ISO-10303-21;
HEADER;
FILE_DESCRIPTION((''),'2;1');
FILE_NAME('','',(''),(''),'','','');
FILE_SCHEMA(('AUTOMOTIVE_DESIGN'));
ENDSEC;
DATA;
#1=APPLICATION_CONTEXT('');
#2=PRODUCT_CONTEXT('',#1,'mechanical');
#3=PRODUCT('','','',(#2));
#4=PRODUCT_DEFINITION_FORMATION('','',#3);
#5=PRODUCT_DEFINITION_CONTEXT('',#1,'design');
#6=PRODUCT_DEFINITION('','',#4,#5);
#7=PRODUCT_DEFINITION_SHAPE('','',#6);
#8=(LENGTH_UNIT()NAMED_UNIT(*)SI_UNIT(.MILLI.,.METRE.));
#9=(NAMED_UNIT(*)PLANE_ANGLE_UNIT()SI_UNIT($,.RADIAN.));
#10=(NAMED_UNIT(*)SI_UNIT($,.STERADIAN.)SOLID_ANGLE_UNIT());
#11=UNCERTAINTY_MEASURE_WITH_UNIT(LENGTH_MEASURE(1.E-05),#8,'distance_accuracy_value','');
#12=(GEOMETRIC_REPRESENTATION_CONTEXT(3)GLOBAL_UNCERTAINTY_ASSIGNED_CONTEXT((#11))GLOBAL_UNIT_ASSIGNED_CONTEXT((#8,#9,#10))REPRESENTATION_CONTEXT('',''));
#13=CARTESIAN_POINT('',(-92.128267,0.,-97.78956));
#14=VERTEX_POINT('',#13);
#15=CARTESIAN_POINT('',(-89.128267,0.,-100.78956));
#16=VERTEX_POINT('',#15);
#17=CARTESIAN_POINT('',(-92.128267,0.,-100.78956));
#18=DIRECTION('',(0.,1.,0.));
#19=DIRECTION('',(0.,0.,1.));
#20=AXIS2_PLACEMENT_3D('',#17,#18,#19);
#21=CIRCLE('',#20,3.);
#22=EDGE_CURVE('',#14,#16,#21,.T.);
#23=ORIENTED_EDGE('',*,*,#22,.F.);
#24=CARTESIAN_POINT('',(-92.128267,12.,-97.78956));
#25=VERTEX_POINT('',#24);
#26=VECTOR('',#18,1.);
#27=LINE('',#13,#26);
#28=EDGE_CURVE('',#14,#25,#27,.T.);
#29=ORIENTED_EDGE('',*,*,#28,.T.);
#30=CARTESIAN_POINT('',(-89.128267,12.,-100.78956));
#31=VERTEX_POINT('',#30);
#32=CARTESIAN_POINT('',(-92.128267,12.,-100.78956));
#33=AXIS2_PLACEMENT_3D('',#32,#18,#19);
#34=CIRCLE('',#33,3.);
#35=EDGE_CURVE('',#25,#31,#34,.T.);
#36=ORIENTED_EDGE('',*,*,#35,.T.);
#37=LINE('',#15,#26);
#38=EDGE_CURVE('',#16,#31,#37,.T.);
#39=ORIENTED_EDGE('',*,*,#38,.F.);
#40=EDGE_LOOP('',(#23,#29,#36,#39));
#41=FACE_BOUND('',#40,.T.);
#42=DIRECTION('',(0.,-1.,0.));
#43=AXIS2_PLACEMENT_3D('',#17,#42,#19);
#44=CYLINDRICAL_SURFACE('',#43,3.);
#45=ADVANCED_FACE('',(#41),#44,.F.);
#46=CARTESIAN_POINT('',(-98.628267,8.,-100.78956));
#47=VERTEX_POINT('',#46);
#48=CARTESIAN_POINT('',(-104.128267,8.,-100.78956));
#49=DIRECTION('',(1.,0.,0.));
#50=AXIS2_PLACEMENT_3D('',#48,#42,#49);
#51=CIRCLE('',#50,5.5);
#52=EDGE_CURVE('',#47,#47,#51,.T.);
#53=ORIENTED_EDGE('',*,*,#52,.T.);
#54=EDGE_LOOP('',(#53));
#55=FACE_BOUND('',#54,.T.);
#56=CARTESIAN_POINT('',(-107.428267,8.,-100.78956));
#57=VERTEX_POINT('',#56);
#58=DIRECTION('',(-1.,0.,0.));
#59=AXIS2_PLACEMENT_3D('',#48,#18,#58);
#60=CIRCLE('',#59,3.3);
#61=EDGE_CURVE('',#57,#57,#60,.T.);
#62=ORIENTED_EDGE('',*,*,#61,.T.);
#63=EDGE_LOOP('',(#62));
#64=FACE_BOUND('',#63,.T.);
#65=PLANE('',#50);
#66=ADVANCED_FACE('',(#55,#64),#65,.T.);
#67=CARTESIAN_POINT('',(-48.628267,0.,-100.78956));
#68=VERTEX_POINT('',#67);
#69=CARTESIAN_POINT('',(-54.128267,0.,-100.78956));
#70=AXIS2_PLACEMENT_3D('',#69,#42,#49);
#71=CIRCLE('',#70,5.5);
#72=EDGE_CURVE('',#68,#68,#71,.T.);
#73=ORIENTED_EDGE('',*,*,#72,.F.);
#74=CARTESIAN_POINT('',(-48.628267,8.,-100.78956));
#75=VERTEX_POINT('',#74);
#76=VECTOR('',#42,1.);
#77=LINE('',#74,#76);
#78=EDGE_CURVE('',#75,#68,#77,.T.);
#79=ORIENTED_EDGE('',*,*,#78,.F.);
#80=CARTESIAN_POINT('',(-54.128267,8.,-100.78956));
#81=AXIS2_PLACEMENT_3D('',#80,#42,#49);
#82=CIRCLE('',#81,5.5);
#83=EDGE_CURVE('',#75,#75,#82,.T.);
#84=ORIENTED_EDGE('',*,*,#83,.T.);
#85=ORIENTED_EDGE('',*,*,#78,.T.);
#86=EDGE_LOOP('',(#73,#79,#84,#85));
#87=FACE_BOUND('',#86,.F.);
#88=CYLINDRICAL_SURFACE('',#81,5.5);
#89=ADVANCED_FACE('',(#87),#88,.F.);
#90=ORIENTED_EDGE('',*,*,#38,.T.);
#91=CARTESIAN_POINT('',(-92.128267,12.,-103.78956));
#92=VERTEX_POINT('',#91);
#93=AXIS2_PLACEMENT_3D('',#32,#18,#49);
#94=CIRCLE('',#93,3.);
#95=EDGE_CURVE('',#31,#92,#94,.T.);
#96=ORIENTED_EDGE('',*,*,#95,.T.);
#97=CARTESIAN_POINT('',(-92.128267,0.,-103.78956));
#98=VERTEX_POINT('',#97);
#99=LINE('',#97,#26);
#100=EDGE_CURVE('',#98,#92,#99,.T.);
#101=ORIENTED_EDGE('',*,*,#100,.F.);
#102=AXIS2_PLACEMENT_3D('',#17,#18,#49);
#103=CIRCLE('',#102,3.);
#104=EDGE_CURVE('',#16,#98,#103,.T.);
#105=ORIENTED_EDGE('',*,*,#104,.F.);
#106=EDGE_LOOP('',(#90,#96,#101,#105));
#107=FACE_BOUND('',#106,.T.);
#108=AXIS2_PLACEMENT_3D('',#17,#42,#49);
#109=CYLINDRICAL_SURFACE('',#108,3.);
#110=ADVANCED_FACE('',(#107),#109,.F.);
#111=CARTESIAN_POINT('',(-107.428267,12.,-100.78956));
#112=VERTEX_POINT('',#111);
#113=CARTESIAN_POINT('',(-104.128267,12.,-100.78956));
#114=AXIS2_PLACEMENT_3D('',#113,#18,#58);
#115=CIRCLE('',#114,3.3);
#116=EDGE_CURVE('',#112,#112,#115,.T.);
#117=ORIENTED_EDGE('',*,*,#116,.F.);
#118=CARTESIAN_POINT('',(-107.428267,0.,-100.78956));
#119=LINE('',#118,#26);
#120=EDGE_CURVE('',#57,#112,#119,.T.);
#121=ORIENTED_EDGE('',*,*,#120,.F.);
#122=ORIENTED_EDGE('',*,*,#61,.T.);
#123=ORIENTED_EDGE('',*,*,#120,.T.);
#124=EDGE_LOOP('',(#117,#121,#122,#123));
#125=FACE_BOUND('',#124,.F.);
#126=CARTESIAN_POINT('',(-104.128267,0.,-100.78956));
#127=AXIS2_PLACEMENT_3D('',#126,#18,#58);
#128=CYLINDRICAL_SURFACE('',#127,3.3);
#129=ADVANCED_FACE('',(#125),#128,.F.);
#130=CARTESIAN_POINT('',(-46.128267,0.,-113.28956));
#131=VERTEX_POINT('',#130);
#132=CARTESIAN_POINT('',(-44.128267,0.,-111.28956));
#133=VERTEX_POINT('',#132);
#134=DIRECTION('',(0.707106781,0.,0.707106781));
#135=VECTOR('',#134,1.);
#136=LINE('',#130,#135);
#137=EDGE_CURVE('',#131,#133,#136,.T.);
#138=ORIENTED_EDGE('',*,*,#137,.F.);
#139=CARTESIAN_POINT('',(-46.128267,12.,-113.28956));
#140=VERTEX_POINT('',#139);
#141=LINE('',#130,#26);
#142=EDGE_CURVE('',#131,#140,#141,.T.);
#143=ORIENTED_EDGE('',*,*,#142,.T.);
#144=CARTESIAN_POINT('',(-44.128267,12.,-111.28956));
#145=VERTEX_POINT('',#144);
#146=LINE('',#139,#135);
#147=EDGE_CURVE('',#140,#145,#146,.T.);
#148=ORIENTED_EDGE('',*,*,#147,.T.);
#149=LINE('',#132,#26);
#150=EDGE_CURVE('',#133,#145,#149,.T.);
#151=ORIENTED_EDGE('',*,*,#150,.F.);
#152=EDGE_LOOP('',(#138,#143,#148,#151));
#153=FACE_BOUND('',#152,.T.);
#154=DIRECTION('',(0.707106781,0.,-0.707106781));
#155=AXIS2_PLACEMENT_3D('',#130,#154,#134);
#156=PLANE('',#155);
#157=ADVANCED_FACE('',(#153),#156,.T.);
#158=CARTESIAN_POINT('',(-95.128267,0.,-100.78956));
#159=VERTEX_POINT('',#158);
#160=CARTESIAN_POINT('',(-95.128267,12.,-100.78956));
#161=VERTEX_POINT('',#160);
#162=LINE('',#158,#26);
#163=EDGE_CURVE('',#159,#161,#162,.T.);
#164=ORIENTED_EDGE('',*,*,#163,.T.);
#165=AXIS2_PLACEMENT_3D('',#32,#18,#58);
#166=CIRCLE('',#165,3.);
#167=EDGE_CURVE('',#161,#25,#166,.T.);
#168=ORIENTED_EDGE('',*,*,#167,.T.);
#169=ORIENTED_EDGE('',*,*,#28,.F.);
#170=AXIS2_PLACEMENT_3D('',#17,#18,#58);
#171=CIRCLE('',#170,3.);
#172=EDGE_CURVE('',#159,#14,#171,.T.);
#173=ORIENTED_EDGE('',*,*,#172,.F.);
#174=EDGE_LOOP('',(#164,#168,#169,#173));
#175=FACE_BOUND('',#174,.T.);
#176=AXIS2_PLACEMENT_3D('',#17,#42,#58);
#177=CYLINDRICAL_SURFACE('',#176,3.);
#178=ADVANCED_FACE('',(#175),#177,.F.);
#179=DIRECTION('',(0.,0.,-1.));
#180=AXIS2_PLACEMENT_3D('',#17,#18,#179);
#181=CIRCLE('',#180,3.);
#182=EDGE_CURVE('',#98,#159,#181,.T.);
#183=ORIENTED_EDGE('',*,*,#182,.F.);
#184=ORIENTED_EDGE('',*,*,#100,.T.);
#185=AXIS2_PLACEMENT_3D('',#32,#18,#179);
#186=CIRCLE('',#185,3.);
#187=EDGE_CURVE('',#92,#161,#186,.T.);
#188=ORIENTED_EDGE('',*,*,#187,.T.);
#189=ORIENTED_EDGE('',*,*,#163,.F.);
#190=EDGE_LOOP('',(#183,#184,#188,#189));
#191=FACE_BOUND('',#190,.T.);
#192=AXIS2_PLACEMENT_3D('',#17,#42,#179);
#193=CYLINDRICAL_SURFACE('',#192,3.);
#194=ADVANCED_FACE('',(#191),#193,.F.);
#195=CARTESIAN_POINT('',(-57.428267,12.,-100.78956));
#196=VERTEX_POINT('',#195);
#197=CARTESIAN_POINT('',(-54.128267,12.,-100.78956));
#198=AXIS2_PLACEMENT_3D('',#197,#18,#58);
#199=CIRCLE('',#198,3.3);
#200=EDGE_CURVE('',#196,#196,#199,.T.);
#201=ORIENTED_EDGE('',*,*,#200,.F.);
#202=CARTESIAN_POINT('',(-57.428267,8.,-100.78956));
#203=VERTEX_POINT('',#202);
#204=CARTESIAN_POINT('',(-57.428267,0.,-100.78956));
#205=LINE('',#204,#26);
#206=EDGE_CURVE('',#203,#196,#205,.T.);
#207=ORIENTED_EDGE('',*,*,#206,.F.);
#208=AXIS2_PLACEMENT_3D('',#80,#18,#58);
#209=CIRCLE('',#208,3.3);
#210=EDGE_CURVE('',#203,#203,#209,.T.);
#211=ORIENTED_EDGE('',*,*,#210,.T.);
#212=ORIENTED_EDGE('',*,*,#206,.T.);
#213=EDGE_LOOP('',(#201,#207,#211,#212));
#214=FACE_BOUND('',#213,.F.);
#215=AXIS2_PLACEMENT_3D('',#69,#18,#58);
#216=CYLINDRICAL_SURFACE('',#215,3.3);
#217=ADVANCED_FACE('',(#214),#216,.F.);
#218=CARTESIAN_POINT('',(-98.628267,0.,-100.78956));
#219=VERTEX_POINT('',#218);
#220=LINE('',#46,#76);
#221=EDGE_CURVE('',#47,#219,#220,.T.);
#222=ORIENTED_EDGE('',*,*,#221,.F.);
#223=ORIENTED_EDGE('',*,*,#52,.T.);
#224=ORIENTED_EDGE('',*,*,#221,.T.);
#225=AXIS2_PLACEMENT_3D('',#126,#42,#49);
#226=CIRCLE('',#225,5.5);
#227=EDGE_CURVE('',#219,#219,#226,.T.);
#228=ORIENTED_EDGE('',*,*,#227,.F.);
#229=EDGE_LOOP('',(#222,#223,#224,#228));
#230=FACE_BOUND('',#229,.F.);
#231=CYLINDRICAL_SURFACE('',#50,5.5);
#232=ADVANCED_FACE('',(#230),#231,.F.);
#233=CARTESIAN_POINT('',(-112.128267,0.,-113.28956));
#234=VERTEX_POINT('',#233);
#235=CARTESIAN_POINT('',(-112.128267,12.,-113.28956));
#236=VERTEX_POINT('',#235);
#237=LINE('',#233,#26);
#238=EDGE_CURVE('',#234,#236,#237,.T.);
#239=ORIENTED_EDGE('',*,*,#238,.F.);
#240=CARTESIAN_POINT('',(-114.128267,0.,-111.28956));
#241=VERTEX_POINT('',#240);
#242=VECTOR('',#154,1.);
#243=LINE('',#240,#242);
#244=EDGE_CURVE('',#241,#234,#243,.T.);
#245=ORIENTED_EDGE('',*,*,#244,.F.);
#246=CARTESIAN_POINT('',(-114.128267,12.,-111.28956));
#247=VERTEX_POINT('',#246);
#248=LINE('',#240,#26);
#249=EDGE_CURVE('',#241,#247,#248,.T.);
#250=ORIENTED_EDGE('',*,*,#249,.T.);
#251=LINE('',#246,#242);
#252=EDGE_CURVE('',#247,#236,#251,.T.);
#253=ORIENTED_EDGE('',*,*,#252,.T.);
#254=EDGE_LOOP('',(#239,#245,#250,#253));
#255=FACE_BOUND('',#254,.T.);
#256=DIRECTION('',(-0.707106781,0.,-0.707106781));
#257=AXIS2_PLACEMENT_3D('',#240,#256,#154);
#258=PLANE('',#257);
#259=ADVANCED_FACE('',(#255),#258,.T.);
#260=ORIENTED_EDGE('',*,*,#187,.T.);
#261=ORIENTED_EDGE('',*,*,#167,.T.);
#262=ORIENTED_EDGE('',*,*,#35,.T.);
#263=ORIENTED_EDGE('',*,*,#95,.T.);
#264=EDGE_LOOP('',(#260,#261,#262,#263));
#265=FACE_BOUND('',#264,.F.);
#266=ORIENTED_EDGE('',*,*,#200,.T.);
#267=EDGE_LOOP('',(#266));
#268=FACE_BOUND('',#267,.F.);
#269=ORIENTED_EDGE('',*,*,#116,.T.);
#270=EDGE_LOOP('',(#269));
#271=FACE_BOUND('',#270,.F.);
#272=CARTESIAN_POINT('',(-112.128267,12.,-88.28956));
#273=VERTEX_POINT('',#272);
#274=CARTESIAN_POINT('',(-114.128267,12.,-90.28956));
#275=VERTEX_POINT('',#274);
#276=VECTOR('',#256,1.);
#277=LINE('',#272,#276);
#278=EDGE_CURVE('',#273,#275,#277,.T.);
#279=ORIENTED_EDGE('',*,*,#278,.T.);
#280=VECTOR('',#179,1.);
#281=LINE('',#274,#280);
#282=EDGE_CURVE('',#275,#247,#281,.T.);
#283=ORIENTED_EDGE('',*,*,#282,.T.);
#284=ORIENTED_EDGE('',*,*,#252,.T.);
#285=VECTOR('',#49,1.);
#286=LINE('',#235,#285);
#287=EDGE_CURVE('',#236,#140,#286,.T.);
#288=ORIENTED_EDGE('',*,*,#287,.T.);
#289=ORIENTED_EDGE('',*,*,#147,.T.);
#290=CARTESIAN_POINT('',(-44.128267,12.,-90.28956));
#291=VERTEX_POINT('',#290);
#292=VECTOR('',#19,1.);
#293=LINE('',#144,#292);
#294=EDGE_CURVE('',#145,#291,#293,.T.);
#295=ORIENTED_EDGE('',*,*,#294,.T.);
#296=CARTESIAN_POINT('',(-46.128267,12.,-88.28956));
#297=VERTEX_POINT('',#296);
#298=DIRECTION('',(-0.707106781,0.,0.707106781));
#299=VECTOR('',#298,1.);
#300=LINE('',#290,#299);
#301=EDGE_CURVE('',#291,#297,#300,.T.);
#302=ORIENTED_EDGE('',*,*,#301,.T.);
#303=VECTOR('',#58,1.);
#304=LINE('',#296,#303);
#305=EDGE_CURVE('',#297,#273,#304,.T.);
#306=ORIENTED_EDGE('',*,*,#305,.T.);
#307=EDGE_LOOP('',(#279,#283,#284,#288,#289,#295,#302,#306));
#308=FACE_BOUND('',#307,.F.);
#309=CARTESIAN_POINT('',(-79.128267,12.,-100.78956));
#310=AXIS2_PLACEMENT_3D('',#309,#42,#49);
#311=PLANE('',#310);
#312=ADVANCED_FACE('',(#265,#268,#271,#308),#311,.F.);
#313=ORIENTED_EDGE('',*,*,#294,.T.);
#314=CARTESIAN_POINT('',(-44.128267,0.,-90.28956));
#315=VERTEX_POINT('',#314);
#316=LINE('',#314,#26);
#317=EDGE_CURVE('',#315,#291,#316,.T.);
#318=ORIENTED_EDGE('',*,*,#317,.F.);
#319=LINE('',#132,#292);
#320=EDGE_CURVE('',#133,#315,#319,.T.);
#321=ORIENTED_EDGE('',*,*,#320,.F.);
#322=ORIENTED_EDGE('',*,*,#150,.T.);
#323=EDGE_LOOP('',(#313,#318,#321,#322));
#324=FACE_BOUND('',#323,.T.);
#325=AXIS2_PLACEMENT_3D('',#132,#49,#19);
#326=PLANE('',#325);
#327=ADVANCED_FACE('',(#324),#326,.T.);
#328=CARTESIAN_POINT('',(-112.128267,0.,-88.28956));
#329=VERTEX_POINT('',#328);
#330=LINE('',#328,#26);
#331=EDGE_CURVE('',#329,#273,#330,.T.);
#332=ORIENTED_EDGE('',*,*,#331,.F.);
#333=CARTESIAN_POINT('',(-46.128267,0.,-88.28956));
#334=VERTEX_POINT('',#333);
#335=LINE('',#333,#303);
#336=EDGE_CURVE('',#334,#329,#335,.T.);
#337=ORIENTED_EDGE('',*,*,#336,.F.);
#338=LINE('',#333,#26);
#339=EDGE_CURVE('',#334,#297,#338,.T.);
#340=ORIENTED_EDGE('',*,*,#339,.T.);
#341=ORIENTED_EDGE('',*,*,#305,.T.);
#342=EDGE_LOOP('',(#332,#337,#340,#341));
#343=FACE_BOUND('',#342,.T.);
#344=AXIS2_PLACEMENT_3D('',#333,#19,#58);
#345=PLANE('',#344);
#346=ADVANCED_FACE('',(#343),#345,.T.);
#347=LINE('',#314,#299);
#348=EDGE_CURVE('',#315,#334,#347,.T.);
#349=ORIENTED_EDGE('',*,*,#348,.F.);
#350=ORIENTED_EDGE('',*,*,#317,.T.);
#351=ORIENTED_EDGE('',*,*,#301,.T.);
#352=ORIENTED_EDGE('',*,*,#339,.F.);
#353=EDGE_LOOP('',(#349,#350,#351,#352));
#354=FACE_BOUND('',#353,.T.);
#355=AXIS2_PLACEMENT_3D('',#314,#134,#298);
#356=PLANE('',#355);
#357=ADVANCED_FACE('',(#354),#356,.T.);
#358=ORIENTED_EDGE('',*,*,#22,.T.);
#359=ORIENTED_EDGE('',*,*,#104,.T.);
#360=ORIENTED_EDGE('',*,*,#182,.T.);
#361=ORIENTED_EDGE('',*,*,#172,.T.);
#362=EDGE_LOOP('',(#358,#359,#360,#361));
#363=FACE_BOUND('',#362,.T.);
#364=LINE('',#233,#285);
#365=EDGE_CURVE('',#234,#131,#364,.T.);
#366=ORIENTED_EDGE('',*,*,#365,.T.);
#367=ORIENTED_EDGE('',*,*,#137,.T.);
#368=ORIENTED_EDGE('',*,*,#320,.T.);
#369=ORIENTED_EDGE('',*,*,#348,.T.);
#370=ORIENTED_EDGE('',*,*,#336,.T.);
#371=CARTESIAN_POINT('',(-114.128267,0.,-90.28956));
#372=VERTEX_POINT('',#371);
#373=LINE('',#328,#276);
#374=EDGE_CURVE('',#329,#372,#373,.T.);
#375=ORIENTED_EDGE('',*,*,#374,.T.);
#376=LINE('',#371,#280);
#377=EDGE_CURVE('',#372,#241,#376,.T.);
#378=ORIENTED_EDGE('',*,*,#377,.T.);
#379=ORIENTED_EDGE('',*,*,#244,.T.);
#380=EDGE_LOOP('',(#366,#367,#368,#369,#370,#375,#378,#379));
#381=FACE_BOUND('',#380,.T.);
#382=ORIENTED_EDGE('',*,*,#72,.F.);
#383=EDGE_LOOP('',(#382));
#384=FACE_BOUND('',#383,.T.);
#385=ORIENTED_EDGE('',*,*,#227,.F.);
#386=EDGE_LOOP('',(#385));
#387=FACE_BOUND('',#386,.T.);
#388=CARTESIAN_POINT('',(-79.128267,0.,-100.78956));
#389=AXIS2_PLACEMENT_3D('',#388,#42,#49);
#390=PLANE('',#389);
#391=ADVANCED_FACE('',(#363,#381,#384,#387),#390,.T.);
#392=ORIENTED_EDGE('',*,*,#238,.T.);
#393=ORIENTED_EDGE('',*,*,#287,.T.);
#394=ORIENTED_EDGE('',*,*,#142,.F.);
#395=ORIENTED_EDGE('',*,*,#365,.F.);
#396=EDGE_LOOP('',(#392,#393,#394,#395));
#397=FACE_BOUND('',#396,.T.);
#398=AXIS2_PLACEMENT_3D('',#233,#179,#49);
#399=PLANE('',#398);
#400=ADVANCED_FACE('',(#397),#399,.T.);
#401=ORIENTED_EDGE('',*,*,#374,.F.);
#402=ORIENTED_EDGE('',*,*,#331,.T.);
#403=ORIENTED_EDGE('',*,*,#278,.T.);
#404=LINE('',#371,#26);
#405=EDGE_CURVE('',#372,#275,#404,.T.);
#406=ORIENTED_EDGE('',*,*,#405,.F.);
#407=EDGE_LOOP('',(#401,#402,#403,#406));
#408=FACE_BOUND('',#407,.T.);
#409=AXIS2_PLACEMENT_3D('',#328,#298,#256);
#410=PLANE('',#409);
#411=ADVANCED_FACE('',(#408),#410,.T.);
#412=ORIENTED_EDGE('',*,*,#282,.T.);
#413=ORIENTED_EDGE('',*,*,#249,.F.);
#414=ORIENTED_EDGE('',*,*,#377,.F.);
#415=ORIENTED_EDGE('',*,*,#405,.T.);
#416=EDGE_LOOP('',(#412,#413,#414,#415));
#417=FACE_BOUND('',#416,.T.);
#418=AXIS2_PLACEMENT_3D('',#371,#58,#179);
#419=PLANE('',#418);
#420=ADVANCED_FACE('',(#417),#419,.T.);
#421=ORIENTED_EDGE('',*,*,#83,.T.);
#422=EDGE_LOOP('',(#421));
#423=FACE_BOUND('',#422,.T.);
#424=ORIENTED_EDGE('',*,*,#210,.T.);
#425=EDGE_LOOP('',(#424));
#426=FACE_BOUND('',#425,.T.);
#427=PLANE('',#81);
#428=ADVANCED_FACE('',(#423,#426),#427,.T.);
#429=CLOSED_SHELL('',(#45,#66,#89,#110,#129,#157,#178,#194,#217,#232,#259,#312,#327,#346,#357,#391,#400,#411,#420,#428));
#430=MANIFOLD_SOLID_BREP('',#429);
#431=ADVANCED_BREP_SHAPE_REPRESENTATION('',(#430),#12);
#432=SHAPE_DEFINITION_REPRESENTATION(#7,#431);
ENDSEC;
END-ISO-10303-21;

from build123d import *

# Parameters (mm, degrees)
F1_DEPTH       = 12
F2_D           = 6.6
F2_CBORE_D     = 11
F2_CBORE_DEPTH = 8


with BuildPart() as f1:
    # F0 (on Front) → F1 (new body)
    with BuildSketch(Plane.XZ):
        Polygon((-112.128267, -88.28956), (-114.128267, -90.28956), (-114.128267, -111.28956), (-112.128267, -113.28956), (-46.128267, -113.28956), (-44.128267, -111.28956), (-44.128267, -90.28956), (-46.128267, -88.28956), align=None)
        with BuildLine():
            ThreePointArc((-104.128267, -95.28956), (-100.2391797035, -96.9004727035), (-98.628267, -100.78956))
            ThreePointArc((-98.628267, -100.78956), (-100.2391797035, -104.6786472965), (-104.128267, -106.28956))
            ThreePointArc((-104.128267, -106.28956), (-108.0173542965, -104.6786472965), (-109.628267, -100.78956))
            ThreePointArc((-109.628267, -100.78956), (-108.0173542965, -96.9004727035), (-104.128267, -95.28956))
        make_face(mode=Mode.SUBTRACT)
        with BuildLine():
            ThreePointArc((-92.128267, -103.78956), (-94.2495873436, -102.9108803436), (-95.128267, -100.78956))
            ThreePointArc((-95.128267, -100.78956), (-94.2495873436, -98.6682396564), (-92.128267, -97.78956))
            ThreePointArc((-92.128267, -97.78956), (-90.0069466564, -98.6682396564), (-89.128267, -100.78956))
            ThreePointArc((-89.128267, -100.78956), (-90.0069466564, -102.9108803436), (-92.128267, -103.78956))
        make_face(mode=Mode.SUBTRACT)
        with BuildLine():
            ThreePointArc((-54.128267, -95.28956), (-50.2391797035, -96.9004727035), (-48.628267, -100.78956))
            ThreePointArc((-48.628267, -100.78956), (-50.2391797035, -104.6786472965), (-54.128267, -106.28956))
            ThreePointArc((-54.128267, -106.28956), (-58.0173542965, -104.6786472965), (-59.628267, -100.78956))
            ThreePointArc((-59.628267, -100.78956), (-58.0173542965, -96.9004727035), (-54.128267, -95.28956))
        make_face(mode=Mode.SUBTRACT)
        with BuildLine():
            ThreePointArc((-104.128267, -97.48956), (-101.7948146221, -98.4561076221), (-100.828267, -100.78956))
            Line((-100.828267, -100.78956), (-98.628267, -100.78956))
            ThreePointArc((-98.628267, -100.78956), (-100.2391797035, -96.9004727035), (-104.128267, -95.28956))
            Line((-104.128267, -95.28956), (-104.128267, -97.48956))
        make_face()
        with BuildLine():
            ThreePointArc((-107.428267, -100.78956), (-106.4617193779, -98.4561076221), (-104.128267, -97.48956))
            Line((-104.128267, -97.48956), (-104.128267, -95.28956))
            ThreePointArc((-104.128267, -95.28956), (-108.0173542965, -96.9004727035), (-109.628267, -100.78956))
            Line((-109.628267, -100.78956), (-107.428267, -100.78956))
        make_face()
        with BuildLine():
            ThreePointArc((-54.128267, -97.48956), (-51.7948146221, -98.4561076221), (-50.828267, -100.78956))
            Line((-50.828267, -100.78956), (-48.628267, -100.78956))
            ThreePointArc((-48.628267, -100.78956), (-50.2391797035, -96.9004727035), (-54.128267, -95.28956))
            Line((-54.128267, -95.28956), (-54.128267, -97.48956))
        make_face()
        with BuildLine():
            Line((-98.628267, -100.78956), (-100.828267, -100.78956))
            ThreePointArc((-100.828267, -100.78956), (-101.7948146221, -103.1230123779), (-104.128267, -104.08956))
            Line((-104.128267, -104.08956), (-104.128267, -106.28956))
            ThreePointArc((-104.128267, -106.28956), (-100.2391797035, -104.6786472965), (-98.628267, -100.78956))
        make_face()
        with BuildLine():
            ThreePointArc((-57.428267, -100.78956), (-56.4617193779, -98.4561076221), (-54.128267, -97.48956))
            Line((-54.128267, -97.48956), (-54.128267, -95.28956))
            ThreePointArc((-54.128267, -95.28956), (-58.0173542965, -96.9004727035), (-59.628267, -100.78956))
            Line((-59.628267, -100.78956), (-57.428267, -100.78956))
        make_face()
        with BuildLine():
            Line((-104.128267, -106.28956), (-104.128267, -104.08956))
            ThreePointArc((-104.128267, -104.08956), (-106.4617193779, -103.1230123779), (-107.428267, -100.78956))
            Line((-107.428267, -100.78956), (-109.628267, -100.78956))
            ThreePointArc((-109.628267, -100.78956), (-108.0173542965, -104.6786472965), (-104.128267, -106.28956))
        make_face()
        with BuildLine():
            Line((-48.628267, -100.78956), (-50.828267, -100.78956))
            ThreePointArc((-50.828267, -100.78956), (-51.7948146221, -103.1230123779), (-54.128267, -104.08956))
            Line((-54.128267, -104.08956), (-54.128267, -106.28956))
            ThreePointArc((-54.128267, -106.28956), (-50.2391797035, -104.6786472965), (-48.628267, -100.78956))
        make_face()
        with BuildLine():
            Line((-54.128267, -106.28956), (-54.128267, -104.08956))
            ThreePointArc((-54.128267, -104.08956), (-56.4617193779, -103.1230123779), (-57.428267, -100.78956))
            Line((-57.428267, -100.78956), (-59.628267, -100.78956))
            ThreePointArc((-59.628267, -100.78956), (-58.0173542965, -104.6786472965), (-54.128267, -106.28956))
        make_face()
        with BuildLine():
            Line((-57.428267, -100.78956), (-54.128267, -100.78956))
            Line((-54.128267, -100.78956), (-54.128267, -97.48956))
            ThreePointArc((-54.128267, -97.48956), (-56.4617193779, -98.4561076221), (-57.428267, -100.78956))
        make_face()
        with BuildLine():
            Line((-54.128267, -104.08956), (-54.128267, -100.78956))
            Line((-54.128267, -100.78956), (-57.428267, -100.78956))
            ThreePointArc((-57.428267, -100.78956), (-56.4617193779, -103.1230123779), (-54.128267, -104.08956))
        make_face()
        with BuildLine():
            Line((-54.128267, -100.78956), (-50.828267, -100.78956))
            ThreePointArc((-50.828267, -100.78956), (-51.7948146221, -98.4561076221), (-54.128267, -97.48956))
            Line((-54.128267, -97.48956), (-54.128267, -100.78956))
        make_face()
        with BuildLine():
            ThreePointArc((-54.128267, -104.08956), (-51.7948146221, -103.1230123779), (-50.828267, -100.78956))
            Line((-50.828267, -100.78956), (-54.128267, -100.78956))
            Line((-54.128267, -100.78956), (-54.128267, -104.08956))
        make_face()
        with BuildLine():
            Line((-107.428267, -100.78956), (-104.128267, -100.78956))
            Line((-104.128267, -100.78956), (-104.128267, -97.48956))
            ThreePointArc((-104.128267, -97.48956), (-106.4617193779, -98.4561076221), (-107.428267, -100.78956))
        make_face()
        with BuildLine():
            Line((-104.128267, -104.08956), (-104.128267, -100.78956))
            Line((-104.128267, -100.78956), (-107.428267, -100.78956))
            ThreePointArc((-107.428267, -100.78956), (-106.4617193779, -103.1230123779), (-104.128267, -104.08956))
        make_face()
        with BuildLine():
            Line((-104.128267, -100.78956), (-100.828267, -100.78956))
            ThreePointArc((-100.828267, -100.78956), (-101.7948146221, -98.4561076221), (-104.128267, -97.48956))
            Line((-104.128267, -97.48956), (-104.128267, -100.78956))
        make_face()
        with BuildLine():
            ThreePointArc((-104.128267, -104.08956), (-101.7948146221, -103.1230123779), (-100.828267, -100.78956))
            Line((-100.828267, -100.78956), (-104.128267, -100.78956))
            Line((-104.128267, -100.78956), (-104.128267, -104.08956))
        make_face()
    extrude(amount=-F1_DEPTH)

    # F2 (through all)
    with Locations(Plane.XZ):
        with Locations((-54.128267, -100.78956), (-104.128267, -100.78956)):
            CounterBoreHole(F2_D / 2, F2_CBORE_D / 2, F2_CBORE_DEPTH)


solid = f1.part
